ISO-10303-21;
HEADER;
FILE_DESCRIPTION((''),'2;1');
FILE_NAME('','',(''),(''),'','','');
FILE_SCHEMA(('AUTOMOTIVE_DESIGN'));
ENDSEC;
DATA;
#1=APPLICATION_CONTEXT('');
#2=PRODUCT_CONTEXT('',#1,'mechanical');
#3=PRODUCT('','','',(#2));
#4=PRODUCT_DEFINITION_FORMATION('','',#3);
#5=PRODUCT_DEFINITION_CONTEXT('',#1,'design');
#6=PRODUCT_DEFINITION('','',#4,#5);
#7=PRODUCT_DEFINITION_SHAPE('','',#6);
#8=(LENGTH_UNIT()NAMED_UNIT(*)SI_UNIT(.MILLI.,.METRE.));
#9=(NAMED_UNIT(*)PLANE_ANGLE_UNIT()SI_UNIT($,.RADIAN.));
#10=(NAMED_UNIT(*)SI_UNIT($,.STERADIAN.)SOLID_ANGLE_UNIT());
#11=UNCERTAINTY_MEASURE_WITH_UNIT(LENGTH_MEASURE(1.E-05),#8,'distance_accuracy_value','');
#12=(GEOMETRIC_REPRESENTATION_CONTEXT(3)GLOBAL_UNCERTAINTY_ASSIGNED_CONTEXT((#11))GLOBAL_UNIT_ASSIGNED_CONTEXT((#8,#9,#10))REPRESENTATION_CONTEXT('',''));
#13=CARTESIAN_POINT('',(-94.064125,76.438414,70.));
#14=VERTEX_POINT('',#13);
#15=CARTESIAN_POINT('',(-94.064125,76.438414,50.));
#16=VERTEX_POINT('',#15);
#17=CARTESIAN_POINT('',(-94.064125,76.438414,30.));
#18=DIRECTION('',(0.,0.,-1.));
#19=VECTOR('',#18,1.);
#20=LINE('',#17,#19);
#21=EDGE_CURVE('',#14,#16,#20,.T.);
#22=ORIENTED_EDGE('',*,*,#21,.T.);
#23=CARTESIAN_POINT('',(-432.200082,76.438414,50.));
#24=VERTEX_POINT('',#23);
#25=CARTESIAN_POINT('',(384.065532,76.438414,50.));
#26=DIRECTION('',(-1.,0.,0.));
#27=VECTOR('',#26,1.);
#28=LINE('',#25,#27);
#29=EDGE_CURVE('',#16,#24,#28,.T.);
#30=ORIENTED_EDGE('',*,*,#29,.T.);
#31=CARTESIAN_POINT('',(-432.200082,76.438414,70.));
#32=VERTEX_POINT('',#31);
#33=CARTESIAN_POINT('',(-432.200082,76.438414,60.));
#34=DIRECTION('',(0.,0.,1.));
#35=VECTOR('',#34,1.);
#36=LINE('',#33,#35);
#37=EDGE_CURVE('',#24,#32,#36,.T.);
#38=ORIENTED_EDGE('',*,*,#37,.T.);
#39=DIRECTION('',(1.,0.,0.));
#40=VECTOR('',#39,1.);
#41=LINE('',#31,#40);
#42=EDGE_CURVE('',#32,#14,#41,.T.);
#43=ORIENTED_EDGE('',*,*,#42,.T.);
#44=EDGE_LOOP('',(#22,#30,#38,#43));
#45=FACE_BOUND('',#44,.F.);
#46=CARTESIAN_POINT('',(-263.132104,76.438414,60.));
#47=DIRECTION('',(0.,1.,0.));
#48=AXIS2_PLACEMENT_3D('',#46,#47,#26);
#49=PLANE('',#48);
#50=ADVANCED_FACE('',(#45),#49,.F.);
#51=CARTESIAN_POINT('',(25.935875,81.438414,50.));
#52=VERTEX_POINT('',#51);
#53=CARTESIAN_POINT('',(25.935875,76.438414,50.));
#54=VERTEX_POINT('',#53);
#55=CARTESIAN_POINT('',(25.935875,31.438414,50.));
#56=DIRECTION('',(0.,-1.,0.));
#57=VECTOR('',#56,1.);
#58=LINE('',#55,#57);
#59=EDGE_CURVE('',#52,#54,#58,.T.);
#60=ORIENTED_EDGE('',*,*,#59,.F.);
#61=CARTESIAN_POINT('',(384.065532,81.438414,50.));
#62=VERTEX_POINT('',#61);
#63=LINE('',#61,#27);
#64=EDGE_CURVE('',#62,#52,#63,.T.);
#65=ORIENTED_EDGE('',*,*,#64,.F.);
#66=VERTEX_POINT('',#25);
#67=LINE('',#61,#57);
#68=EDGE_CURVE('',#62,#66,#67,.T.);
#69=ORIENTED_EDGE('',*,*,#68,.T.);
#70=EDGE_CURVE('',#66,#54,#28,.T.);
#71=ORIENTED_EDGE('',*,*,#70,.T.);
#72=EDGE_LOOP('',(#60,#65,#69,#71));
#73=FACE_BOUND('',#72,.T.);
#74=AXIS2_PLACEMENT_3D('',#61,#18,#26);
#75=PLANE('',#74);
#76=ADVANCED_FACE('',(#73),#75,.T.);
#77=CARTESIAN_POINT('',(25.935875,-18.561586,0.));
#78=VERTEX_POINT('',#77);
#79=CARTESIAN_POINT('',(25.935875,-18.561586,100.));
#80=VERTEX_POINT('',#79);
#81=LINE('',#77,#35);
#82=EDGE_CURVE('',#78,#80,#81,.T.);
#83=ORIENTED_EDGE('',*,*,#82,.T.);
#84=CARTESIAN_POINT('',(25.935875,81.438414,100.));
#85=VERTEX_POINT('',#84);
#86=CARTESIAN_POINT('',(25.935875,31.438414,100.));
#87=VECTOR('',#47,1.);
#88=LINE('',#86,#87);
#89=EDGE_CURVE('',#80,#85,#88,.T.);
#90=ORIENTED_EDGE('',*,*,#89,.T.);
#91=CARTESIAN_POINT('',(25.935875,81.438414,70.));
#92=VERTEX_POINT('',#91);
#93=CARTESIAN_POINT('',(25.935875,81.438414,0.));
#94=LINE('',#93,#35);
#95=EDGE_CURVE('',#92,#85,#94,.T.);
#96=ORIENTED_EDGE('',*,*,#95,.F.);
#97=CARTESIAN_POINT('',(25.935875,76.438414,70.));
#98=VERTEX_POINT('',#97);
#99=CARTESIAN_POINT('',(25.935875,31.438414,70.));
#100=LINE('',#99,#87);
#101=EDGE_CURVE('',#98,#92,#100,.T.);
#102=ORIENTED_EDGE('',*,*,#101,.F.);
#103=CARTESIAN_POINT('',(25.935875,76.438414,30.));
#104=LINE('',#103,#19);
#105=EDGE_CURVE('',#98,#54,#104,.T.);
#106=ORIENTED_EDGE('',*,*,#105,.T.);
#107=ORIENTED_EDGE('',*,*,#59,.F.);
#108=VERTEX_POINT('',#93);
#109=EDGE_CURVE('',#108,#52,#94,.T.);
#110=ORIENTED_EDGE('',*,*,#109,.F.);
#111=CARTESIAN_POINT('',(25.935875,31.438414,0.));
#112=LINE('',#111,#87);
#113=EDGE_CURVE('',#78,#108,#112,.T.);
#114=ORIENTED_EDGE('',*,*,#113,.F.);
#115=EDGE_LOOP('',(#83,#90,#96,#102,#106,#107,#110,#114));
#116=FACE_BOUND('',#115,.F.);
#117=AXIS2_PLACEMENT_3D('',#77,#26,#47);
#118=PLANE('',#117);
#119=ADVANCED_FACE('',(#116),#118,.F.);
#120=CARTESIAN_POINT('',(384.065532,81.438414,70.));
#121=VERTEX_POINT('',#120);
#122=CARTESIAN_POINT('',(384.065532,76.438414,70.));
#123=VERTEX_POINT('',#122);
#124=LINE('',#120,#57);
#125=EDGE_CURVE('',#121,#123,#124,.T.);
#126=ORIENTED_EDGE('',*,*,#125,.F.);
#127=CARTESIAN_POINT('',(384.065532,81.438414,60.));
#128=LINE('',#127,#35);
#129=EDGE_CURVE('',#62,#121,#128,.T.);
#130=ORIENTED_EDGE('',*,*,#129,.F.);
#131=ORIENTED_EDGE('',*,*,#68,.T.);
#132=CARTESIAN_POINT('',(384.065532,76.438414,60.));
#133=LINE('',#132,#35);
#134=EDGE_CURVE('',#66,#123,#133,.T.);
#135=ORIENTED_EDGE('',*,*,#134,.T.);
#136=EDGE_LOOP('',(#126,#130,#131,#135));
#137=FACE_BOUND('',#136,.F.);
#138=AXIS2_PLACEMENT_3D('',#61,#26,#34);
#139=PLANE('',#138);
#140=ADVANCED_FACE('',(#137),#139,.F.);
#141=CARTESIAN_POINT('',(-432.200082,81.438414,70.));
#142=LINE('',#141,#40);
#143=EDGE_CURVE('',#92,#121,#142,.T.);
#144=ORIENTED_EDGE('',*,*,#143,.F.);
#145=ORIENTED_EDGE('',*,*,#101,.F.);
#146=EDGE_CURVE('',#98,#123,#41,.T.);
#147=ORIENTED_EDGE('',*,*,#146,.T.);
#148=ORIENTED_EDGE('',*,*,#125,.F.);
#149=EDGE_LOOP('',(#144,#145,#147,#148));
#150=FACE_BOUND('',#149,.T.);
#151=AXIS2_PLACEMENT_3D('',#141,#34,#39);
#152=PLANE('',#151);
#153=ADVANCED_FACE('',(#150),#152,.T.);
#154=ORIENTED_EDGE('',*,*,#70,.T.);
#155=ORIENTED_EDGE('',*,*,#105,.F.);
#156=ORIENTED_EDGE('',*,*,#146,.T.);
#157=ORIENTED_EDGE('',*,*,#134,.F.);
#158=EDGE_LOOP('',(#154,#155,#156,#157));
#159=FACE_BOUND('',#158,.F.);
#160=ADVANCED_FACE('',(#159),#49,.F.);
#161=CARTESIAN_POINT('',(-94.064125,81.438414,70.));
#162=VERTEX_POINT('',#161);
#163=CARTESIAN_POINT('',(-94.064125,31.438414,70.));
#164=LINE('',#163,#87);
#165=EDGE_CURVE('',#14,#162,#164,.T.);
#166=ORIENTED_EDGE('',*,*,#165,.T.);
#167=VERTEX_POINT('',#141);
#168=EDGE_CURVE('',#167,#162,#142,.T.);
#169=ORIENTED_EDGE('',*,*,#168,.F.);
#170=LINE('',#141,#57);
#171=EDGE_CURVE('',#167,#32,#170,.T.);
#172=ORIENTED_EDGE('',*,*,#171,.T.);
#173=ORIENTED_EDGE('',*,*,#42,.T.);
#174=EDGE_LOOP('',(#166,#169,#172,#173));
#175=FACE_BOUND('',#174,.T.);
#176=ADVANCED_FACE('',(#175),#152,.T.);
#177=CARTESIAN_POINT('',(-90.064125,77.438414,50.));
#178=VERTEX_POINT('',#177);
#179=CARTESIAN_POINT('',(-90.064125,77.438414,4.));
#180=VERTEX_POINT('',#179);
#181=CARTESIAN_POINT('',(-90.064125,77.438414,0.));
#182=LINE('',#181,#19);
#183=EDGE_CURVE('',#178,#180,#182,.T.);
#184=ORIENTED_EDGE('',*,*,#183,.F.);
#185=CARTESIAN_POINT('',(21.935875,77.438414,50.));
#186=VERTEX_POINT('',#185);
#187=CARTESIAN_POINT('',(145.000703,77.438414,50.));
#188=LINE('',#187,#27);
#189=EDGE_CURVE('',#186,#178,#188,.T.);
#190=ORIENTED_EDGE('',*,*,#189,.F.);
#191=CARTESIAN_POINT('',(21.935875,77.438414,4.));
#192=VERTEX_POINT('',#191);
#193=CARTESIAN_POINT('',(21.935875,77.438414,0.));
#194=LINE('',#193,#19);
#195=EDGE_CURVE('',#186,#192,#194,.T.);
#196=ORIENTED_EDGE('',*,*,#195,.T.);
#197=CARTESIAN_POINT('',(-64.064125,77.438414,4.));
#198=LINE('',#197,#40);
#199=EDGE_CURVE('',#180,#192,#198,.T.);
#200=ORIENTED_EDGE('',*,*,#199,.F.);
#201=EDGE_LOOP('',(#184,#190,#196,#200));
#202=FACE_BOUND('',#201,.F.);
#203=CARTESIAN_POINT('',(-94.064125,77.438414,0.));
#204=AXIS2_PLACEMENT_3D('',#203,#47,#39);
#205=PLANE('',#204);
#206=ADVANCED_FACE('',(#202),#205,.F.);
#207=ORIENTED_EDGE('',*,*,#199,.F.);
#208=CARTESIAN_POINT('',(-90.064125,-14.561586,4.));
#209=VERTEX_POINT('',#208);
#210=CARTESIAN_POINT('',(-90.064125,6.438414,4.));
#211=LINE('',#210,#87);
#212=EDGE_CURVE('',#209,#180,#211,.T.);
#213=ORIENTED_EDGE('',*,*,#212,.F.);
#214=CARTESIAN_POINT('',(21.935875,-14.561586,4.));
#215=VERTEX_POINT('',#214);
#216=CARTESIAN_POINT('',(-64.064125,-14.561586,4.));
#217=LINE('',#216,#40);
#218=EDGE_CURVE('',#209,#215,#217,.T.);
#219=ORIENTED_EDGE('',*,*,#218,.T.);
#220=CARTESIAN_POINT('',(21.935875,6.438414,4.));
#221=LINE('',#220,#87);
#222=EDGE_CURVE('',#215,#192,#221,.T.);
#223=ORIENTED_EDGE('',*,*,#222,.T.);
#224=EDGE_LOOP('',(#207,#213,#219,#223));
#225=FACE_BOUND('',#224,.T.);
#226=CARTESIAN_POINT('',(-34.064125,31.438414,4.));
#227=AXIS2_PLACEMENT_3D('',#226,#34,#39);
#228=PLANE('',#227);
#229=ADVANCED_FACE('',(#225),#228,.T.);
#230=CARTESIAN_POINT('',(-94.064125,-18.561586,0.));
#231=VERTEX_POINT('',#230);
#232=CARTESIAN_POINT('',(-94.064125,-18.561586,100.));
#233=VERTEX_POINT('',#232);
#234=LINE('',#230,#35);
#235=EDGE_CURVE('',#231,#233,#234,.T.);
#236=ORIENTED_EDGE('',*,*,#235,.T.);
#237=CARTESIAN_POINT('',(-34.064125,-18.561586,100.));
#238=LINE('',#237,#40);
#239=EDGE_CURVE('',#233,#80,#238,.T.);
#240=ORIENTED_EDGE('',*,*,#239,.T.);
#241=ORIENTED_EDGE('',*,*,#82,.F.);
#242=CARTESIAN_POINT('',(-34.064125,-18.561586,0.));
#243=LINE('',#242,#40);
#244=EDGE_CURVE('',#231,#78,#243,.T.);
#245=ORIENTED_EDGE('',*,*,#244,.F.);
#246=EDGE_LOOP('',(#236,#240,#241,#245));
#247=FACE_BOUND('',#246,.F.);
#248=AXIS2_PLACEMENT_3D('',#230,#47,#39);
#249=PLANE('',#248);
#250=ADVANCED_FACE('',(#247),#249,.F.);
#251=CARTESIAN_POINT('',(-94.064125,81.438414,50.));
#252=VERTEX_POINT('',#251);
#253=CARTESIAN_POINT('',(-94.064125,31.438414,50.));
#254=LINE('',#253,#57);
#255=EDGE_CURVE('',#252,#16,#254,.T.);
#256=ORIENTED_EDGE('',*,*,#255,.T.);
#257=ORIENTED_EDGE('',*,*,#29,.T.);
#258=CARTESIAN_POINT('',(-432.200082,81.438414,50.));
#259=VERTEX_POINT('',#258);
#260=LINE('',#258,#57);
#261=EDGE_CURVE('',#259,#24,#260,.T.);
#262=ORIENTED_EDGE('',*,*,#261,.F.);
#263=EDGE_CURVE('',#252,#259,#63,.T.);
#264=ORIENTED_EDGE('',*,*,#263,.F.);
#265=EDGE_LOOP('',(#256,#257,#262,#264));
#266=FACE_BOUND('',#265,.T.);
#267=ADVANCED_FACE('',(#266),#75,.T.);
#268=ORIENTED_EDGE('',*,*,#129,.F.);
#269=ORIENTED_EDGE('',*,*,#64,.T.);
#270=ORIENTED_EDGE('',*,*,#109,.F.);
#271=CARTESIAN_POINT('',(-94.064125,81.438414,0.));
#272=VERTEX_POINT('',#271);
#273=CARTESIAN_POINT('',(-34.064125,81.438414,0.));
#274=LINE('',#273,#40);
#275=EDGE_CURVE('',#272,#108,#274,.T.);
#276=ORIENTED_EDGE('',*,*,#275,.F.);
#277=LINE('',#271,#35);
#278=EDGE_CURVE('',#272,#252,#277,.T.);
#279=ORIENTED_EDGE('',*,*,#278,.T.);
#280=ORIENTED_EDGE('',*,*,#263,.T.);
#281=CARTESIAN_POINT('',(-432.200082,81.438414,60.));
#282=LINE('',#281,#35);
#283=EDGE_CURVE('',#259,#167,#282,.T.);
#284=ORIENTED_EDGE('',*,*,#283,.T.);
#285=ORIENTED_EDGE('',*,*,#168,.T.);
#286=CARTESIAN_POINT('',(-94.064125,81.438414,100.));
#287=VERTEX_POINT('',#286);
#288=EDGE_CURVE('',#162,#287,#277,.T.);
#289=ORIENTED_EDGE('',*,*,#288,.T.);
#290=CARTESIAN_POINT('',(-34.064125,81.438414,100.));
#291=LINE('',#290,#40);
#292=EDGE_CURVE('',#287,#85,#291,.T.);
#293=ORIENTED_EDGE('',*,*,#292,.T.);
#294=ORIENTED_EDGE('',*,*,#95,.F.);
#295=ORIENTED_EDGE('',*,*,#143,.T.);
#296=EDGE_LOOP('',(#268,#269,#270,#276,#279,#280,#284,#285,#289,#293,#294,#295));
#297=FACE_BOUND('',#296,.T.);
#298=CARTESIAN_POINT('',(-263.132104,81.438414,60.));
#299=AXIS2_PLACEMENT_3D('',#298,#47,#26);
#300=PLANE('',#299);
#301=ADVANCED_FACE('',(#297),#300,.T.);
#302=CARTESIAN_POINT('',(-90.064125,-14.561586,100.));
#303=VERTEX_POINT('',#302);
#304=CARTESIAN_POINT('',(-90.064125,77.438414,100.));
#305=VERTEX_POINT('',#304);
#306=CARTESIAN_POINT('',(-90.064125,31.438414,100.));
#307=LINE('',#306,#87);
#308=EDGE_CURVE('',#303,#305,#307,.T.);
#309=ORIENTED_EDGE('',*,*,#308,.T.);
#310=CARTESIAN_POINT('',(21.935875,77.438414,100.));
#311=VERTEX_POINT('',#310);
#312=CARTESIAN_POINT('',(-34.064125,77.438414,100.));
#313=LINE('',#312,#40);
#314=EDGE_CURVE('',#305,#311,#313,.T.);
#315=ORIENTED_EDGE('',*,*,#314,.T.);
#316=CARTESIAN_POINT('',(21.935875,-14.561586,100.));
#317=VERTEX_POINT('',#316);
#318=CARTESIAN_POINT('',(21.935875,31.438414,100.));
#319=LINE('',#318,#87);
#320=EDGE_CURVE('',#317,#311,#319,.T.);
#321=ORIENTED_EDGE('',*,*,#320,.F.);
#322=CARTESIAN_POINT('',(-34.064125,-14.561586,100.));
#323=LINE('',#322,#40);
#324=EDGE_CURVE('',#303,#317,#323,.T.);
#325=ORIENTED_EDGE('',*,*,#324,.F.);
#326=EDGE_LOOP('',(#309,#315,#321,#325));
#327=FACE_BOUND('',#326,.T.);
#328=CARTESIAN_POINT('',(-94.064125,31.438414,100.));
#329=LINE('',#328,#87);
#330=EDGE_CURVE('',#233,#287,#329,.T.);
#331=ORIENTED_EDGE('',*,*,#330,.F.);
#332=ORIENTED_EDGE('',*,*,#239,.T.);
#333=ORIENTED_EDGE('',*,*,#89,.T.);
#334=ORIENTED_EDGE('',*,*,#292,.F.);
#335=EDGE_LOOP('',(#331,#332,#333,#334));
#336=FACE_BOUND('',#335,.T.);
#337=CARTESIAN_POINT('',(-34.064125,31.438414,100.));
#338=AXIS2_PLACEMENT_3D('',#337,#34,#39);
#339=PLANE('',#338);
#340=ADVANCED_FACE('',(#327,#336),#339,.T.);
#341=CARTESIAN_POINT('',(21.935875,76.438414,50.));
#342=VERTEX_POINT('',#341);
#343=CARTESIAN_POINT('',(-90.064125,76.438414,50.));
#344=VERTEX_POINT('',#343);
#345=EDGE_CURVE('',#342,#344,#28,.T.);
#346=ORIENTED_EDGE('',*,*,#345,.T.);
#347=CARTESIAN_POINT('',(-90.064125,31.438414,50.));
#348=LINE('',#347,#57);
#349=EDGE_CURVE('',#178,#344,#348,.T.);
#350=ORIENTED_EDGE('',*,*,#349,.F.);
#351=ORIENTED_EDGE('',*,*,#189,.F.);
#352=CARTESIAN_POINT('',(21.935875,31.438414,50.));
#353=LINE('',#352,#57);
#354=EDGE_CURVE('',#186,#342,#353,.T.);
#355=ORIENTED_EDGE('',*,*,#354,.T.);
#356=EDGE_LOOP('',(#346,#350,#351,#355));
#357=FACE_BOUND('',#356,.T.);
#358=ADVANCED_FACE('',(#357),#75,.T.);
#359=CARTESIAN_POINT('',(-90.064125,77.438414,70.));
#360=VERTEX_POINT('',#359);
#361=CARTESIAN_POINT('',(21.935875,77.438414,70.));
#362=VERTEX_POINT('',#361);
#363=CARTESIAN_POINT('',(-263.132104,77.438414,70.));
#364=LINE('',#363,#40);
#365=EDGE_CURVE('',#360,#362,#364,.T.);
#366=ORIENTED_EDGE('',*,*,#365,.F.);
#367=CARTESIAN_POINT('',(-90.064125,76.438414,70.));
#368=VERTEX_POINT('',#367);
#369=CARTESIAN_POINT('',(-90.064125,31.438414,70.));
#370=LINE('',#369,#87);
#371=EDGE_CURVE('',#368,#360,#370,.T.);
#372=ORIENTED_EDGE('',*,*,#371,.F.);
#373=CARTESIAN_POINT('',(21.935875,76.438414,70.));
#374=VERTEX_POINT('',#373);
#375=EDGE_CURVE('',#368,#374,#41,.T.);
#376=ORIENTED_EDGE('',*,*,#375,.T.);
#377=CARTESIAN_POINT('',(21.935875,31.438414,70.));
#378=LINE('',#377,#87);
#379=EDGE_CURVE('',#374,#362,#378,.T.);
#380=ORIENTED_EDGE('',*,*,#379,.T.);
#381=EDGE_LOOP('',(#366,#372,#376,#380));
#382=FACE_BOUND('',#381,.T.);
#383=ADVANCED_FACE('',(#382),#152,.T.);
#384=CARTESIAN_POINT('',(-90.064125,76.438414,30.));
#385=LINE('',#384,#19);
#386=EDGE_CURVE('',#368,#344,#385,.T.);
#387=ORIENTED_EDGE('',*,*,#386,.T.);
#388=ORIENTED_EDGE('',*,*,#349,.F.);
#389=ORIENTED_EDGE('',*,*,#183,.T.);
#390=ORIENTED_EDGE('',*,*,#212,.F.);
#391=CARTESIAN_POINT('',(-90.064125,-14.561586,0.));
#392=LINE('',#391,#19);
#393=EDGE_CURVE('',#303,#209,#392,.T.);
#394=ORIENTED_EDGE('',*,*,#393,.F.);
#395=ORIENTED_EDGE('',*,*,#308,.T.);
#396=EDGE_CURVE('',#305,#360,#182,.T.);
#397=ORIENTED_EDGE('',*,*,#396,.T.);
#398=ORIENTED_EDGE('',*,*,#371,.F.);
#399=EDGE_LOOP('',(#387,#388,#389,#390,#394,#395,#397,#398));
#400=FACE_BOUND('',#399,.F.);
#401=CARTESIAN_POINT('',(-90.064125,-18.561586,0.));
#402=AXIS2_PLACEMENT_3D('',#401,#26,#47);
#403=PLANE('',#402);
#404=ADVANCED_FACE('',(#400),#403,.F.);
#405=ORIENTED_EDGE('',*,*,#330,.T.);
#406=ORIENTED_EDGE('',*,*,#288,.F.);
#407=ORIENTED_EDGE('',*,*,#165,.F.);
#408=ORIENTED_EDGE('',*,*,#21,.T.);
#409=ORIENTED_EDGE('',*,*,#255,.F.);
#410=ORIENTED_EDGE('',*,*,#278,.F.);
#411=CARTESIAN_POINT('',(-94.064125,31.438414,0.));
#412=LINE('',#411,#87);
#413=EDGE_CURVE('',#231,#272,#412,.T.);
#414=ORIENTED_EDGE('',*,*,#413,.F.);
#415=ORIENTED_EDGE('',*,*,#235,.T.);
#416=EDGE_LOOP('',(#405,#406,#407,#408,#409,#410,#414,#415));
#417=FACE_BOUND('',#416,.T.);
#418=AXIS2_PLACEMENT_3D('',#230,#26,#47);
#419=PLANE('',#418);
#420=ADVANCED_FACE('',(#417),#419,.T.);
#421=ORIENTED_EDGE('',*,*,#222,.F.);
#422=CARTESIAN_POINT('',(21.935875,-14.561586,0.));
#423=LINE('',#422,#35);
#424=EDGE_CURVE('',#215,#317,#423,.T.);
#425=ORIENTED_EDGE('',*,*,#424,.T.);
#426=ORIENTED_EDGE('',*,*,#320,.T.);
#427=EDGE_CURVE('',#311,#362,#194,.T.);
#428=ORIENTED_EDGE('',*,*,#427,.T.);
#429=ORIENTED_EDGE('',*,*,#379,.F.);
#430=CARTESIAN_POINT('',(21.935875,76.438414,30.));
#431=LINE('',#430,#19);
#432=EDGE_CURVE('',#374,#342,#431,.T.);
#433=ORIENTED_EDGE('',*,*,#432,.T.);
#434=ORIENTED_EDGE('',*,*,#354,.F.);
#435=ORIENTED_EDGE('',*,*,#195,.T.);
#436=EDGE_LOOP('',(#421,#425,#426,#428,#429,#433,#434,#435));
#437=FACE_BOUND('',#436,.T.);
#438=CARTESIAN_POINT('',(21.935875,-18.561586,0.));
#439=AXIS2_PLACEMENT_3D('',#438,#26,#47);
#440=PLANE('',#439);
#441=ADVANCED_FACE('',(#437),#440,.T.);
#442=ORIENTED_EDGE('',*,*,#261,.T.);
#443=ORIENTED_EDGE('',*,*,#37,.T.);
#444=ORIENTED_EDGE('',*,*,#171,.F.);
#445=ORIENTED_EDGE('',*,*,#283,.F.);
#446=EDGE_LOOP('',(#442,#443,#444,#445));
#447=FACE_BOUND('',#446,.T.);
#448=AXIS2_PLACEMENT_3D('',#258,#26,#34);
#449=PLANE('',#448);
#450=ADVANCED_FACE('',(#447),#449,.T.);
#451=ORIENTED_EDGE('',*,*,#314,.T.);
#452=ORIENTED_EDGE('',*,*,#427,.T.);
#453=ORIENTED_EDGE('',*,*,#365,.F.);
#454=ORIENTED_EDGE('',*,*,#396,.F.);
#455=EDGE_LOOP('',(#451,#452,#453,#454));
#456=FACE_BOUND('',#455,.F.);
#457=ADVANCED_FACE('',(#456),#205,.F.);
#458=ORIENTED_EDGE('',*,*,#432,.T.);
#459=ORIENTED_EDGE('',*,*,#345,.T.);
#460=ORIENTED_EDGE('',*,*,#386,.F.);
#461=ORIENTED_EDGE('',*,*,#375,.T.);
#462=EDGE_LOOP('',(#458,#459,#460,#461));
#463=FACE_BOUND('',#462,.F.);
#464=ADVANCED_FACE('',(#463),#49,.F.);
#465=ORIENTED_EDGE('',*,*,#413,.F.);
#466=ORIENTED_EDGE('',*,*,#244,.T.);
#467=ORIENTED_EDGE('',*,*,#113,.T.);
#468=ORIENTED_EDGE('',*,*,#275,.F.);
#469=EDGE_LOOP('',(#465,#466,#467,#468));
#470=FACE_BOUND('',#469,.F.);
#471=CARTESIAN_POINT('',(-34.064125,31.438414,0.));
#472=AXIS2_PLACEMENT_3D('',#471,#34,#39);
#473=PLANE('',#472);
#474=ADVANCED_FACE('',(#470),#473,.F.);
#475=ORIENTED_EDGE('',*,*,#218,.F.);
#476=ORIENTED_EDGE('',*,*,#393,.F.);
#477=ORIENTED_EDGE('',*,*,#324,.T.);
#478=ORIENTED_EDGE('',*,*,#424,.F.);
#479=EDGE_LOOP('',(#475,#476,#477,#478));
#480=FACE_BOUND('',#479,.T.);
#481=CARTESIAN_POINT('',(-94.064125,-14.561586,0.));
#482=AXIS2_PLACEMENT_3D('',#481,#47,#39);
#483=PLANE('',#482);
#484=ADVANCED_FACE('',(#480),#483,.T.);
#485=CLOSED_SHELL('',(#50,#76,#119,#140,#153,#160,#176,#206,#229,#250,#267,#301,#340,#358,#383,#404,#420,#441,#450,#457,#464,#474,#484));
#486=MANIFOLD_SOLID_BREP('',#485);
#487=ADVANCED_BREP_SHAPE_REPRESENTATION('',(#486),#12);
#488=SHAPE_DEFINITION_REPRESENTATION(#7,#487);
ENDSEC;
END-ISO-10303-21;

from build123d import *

# Parameters (mm, degrees)
F0_W     = 120
F0_H     = 100
F1_DEPTH = 100
F2_T     = -4
F3_W     = 338.13595726
F3_H     = 20
F3_W_2   = 120
F3_W_3   = 358.1296569666
F4_DEPTH = 5


with BuildPart() as f1:
    # F0 (on Top) → F1 (new body)
    with BuildSketch(Plane.XY):
        with Locations((-34.0641250794, 31.4384140074)):
            Rectangle(F0_W, F0_H)
    extrude(amount=F1_DEPTH)

    # F2
    f2_openings = [f1.faces().sort_by_distance(p)[0] for p in [
        (-34.064125, 31.438414, 100),
    ]]
    offset(amount=F2_T, openings=f2_openings)

    # F3 (on face) → F4 (join)
    with BuildSketch(Plane(origin=(0, 81.4384140074, 0), x_dir=(-1, 0, 0), z_dir=(0, 1, 0))):
        with Locations((263.1321037094, 60)):
            Rectangle(F3_W, F3_H)
        with Locations((34.0641250794, 60)):
            Rectangle(F3_W_2, F3_H)
        with Locations((-205.0007034039, 60)):
            Rectangle(F3_W_3, F3_H)
    extrude(amount=-F4_DEPTH)


solid = f1.part
